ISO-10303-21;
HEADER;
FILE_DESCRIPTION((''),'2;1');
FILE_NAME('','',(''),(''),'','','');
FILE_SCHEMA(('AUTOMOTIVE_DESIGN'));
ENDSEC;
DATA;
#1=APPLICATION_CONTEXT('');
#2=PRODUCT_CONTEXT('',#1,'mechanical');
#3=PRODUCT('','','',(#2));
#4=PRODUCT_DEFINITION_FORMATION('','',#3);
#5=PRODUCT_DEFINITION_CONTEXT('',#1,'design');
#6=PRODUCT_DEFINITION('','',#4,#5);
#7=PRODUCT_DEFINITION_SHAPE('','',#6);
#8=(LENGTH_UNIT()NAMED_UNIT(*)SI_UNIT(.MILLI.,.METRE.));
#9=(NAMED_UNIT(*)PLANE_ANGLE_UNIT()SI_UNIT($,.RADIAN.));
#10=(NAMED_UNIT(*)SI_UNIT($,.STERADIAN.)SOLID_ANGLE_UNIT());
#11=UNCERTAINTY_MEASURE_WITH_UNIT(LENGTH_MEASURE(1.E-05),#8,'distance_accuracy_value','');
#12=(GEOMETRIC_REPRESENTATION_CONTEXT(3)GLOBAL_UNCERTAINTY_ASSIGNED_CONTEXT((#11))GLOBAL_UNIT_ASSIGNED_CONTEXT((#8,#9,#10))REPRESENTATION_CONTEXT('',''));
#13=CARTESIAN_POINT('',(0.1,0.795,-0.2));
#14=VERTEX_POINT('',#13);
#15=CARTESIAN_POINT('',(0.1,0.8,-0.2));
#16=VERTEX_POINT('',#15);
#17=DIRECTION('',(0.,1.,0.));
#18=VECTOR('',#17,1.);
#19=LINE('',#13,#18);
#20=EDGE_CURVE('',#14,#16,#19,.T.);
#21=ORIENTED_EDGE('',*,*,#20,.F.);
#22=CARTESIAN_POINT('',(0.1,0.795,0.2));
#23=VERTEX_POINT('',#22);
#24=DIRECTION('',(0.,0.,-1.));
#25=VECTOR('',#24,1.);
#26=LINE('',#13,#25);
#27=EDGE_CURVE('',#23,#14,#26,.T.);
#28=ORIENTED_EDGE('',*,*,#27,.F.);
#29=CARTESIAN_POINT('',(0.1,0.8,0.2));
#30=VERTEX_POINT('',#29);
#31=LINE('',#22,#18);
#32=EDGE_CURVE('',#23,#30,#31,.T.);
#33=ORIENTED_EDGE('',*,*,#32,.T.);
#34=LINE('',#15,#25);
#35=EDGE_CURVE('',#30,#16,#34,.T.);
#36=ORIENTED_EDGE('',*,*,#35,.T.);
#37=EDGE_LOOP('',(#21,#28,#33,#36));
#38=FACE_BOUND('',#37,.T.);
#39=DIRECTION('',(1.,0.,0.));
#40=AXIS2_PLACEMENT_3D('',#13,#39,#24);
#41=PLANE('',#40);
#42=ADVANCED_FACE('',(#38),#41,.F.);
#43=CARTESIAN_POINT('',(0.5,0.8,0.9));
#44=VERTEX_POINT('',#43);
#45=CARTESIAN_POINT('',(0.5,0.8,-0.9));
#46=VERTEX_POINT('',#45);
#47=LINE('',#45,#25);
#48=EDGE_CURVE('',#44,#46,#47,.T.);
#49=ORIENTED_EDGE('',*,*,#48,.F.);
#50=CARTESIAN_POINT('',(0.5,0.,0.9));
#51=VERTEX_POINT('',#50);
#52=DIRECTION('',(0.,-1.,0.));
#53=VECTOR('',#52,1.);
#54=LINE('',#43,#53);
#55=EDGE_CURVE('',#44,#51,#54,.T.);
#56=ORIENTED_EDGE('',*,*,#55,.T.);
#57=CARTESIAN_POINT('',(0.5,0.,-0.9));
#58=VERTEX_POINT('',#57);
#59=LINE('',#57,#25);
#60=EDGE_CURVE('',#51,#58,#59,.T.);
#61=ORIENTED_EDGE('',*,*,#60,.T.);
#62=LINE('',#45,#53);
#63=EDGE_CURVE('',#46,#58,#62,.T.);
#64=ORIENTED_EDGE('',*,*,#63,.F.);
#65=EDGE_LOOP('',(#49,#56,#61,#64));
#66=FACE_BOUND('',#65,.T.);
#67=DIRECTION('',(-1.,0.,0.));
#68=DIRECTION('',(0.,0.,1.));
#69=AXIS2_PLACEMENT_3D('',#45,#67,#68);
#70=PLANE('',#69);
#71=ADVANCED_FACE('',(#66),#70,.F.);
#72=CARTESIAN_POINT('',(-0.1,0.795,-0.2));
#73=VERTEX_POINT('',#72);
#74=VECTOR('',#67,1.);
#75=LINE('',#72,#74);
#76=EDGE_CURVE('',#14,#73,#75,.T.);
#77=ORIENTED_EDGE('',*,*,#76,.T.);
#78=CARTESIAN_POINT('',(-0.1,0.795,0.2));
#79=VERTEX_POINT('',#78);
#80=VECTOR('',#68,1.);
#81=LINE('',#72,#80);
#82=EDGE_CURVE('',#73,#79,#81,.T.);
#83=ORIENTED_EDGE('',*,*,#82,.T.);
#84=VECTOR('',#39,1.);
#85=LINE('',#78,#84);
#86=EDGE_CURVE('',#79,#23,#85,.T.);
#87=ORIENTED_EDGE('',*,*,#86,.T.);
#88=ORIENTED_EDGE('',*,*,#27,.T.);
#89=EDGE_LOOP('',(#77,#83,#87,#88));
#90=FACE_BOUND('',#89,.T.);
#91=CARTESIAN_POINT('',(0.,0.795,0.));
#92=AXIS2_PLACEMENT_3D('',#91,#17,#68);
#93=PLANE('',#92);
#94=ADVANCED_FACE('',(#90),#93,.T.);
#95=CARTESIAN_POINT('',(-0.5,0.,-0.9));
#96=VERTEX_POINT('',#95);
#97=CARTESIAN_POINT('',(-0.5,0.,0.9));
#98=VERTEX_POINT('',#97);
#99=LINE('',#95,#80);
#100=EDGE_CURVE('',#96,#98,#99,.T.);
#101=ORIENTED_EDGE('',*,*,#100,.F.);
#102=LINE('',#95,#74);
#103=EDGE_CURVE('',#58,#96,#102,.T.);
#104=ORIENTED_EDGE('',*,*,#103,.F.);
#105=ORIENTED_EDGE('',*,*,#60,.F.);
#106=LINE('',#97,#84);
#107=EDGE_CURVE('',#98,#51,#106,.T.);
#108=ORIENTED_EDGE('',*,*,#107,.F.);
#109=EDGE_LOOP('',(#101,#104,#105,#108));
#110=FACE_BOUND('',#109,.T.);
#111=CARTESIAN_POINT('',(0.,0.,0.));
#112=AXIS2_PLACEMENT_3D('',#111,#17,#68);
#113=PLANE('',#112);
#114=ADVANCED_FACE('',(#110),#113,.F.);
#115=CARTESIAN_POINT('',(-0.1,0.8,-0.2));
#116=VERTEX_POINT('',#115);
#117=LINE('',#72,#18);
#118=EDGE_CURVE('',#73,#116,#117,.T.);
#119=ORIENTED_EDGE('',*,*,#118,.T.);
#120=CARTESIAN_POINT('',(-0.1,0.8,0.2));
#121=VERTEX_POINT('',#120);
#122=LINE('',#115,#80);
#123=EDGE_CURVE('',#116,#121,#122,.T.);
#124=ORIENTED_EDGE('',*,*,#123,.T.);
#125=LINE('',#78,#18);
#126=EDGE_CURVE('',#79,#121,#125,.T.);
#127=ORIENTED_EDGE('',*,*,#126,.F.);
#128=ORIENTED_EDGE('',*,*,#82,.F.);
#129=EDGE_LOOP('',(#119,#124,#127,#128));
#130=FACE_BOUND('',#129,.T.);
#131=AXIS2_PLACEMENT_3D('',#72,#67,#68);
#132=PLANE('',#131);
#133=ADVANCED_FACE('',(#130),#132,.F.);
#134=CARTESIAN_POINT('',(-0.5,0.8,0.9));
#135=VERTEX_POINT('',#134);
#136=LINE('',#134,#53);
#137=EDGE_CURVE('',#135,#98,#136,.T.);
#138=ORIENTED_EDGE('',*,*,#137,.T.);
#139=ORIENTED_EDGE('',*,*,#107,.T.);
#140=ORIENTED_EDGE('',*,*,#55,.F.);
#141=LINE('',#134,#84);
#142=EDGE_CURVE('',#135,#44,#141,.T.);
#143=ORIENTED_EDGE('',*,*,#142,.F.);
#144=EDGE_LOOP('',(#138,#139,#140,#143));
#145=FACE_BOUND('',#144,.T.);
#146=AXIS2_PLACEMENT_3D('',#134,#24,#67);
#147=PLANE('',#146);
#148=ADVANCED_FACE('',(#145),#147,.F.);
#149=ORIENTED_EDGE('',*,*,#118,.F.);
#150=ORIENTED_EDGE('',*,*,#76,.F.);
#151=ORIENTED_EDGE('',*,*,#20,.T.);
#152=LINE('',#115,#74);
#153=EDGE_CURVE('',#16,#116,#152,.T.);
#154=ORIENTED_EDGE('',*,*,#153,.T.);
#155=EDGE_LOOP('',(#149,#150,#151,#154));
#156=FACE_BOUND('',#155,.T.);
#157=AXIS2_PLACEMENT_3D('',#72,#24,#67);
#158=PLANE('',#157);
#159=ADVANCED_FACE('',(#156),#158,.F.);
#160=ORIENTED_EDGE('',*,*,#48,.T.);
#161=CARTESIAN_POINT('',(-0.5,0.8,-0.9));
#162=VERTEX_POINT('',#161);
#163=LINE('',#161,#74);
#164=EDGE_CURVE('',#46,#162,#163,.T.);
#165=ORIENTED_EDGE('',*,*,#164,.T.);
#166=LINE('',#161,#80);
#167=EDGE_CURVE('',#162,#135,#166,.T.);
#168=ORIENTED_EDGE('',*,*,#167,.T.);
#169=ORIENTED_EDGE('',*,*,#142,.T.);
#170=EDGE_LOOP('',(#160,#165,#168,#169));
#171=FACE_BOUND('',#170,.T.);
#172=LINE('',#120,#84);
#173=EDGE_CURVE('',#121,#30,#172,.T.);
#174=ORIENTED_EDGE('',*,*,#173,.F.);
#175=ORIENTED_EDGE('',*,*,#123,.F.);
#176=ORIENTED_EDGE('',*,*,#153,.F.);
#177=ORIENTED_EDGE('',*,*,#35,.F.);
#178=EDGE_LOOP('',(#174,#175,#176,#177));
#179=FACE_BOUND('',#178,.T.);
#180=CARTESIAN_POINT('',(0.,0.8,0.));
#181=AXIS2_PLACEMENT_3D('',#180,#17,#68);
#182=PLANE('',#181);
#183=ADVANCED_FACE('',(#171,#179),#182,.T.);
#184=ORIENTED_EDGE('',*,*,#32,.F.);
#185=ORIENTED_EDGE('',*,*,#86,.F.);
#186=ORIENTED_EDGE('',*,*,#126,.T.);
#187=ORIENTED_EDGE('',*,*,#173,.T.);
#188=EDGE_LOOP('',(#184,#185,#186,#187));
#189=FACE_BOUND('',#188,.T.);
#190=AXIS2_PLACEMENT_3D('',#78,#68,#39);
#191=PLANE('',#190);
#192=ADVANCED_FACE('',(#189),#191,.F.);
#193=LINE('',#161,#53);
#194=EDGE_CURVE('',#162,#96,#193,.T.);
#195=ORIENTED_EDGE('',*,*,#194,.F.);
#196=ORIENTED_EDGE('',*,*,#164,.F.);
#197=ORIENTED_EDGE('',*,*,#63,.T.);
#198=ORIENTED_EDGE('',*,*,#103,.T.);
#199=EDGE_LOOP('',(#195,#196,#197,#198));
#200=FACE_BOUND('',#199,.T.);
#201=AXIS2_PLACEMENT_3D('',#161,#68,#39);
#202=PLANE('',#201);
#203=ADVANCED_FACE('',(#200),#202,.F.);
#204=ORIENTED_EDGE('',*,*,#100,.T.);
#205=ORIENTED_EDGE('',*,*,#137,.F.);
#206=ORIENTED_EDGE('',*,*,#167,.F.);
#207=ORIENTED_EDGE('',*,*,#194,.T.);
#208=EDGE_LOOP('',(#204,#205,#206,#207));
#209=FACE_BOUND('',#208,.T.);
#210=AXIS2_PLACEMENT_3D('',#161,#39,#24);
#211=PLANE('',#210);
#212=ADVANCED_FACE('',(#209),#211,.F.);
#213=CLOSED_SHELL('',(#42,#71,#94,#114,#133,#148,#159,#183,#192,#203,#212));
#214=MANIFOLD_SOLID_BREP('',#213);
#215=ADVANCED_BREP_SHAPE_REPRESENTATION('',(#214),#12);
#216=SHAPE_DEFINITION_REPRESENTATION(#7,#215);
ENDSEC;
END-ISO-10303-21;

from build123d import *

# Parameters (mm, degrees)
PROFILES_W    = 1
PROFILES_H    = 1.8
PROFILE_DEPTH = 0.8
TOPCUTS_W     = 0.2
TOPCUTS_H     = 0.4
TOPCUT_DEPTH  = 0.005


with BuildPart() as part:
    # ProfileS → Profile (new body)
    with BuildSketch(Plane(origin=(0, 0, 0), x_dir=(1, 0, 0), z_dir=(0, 1, 0))):
        Rectangle(PROFILES_W, PROFILES_H)
    extrude(amount=PROFILE_DEPTH)

    # TopCutS → TopCut (cut)
    with BuildSketch(Plane(origin=(0, 0.8, 0), x_dir=(1, 0, 0), z_dir=(0, 1, 0))):
        Rectangle(TOPCUTS_W, TOPCUTS_H)
    extrude(amount=-TOPCUT_DEPTH, mode=Mode.SUBTRACT)


solid = part.part
